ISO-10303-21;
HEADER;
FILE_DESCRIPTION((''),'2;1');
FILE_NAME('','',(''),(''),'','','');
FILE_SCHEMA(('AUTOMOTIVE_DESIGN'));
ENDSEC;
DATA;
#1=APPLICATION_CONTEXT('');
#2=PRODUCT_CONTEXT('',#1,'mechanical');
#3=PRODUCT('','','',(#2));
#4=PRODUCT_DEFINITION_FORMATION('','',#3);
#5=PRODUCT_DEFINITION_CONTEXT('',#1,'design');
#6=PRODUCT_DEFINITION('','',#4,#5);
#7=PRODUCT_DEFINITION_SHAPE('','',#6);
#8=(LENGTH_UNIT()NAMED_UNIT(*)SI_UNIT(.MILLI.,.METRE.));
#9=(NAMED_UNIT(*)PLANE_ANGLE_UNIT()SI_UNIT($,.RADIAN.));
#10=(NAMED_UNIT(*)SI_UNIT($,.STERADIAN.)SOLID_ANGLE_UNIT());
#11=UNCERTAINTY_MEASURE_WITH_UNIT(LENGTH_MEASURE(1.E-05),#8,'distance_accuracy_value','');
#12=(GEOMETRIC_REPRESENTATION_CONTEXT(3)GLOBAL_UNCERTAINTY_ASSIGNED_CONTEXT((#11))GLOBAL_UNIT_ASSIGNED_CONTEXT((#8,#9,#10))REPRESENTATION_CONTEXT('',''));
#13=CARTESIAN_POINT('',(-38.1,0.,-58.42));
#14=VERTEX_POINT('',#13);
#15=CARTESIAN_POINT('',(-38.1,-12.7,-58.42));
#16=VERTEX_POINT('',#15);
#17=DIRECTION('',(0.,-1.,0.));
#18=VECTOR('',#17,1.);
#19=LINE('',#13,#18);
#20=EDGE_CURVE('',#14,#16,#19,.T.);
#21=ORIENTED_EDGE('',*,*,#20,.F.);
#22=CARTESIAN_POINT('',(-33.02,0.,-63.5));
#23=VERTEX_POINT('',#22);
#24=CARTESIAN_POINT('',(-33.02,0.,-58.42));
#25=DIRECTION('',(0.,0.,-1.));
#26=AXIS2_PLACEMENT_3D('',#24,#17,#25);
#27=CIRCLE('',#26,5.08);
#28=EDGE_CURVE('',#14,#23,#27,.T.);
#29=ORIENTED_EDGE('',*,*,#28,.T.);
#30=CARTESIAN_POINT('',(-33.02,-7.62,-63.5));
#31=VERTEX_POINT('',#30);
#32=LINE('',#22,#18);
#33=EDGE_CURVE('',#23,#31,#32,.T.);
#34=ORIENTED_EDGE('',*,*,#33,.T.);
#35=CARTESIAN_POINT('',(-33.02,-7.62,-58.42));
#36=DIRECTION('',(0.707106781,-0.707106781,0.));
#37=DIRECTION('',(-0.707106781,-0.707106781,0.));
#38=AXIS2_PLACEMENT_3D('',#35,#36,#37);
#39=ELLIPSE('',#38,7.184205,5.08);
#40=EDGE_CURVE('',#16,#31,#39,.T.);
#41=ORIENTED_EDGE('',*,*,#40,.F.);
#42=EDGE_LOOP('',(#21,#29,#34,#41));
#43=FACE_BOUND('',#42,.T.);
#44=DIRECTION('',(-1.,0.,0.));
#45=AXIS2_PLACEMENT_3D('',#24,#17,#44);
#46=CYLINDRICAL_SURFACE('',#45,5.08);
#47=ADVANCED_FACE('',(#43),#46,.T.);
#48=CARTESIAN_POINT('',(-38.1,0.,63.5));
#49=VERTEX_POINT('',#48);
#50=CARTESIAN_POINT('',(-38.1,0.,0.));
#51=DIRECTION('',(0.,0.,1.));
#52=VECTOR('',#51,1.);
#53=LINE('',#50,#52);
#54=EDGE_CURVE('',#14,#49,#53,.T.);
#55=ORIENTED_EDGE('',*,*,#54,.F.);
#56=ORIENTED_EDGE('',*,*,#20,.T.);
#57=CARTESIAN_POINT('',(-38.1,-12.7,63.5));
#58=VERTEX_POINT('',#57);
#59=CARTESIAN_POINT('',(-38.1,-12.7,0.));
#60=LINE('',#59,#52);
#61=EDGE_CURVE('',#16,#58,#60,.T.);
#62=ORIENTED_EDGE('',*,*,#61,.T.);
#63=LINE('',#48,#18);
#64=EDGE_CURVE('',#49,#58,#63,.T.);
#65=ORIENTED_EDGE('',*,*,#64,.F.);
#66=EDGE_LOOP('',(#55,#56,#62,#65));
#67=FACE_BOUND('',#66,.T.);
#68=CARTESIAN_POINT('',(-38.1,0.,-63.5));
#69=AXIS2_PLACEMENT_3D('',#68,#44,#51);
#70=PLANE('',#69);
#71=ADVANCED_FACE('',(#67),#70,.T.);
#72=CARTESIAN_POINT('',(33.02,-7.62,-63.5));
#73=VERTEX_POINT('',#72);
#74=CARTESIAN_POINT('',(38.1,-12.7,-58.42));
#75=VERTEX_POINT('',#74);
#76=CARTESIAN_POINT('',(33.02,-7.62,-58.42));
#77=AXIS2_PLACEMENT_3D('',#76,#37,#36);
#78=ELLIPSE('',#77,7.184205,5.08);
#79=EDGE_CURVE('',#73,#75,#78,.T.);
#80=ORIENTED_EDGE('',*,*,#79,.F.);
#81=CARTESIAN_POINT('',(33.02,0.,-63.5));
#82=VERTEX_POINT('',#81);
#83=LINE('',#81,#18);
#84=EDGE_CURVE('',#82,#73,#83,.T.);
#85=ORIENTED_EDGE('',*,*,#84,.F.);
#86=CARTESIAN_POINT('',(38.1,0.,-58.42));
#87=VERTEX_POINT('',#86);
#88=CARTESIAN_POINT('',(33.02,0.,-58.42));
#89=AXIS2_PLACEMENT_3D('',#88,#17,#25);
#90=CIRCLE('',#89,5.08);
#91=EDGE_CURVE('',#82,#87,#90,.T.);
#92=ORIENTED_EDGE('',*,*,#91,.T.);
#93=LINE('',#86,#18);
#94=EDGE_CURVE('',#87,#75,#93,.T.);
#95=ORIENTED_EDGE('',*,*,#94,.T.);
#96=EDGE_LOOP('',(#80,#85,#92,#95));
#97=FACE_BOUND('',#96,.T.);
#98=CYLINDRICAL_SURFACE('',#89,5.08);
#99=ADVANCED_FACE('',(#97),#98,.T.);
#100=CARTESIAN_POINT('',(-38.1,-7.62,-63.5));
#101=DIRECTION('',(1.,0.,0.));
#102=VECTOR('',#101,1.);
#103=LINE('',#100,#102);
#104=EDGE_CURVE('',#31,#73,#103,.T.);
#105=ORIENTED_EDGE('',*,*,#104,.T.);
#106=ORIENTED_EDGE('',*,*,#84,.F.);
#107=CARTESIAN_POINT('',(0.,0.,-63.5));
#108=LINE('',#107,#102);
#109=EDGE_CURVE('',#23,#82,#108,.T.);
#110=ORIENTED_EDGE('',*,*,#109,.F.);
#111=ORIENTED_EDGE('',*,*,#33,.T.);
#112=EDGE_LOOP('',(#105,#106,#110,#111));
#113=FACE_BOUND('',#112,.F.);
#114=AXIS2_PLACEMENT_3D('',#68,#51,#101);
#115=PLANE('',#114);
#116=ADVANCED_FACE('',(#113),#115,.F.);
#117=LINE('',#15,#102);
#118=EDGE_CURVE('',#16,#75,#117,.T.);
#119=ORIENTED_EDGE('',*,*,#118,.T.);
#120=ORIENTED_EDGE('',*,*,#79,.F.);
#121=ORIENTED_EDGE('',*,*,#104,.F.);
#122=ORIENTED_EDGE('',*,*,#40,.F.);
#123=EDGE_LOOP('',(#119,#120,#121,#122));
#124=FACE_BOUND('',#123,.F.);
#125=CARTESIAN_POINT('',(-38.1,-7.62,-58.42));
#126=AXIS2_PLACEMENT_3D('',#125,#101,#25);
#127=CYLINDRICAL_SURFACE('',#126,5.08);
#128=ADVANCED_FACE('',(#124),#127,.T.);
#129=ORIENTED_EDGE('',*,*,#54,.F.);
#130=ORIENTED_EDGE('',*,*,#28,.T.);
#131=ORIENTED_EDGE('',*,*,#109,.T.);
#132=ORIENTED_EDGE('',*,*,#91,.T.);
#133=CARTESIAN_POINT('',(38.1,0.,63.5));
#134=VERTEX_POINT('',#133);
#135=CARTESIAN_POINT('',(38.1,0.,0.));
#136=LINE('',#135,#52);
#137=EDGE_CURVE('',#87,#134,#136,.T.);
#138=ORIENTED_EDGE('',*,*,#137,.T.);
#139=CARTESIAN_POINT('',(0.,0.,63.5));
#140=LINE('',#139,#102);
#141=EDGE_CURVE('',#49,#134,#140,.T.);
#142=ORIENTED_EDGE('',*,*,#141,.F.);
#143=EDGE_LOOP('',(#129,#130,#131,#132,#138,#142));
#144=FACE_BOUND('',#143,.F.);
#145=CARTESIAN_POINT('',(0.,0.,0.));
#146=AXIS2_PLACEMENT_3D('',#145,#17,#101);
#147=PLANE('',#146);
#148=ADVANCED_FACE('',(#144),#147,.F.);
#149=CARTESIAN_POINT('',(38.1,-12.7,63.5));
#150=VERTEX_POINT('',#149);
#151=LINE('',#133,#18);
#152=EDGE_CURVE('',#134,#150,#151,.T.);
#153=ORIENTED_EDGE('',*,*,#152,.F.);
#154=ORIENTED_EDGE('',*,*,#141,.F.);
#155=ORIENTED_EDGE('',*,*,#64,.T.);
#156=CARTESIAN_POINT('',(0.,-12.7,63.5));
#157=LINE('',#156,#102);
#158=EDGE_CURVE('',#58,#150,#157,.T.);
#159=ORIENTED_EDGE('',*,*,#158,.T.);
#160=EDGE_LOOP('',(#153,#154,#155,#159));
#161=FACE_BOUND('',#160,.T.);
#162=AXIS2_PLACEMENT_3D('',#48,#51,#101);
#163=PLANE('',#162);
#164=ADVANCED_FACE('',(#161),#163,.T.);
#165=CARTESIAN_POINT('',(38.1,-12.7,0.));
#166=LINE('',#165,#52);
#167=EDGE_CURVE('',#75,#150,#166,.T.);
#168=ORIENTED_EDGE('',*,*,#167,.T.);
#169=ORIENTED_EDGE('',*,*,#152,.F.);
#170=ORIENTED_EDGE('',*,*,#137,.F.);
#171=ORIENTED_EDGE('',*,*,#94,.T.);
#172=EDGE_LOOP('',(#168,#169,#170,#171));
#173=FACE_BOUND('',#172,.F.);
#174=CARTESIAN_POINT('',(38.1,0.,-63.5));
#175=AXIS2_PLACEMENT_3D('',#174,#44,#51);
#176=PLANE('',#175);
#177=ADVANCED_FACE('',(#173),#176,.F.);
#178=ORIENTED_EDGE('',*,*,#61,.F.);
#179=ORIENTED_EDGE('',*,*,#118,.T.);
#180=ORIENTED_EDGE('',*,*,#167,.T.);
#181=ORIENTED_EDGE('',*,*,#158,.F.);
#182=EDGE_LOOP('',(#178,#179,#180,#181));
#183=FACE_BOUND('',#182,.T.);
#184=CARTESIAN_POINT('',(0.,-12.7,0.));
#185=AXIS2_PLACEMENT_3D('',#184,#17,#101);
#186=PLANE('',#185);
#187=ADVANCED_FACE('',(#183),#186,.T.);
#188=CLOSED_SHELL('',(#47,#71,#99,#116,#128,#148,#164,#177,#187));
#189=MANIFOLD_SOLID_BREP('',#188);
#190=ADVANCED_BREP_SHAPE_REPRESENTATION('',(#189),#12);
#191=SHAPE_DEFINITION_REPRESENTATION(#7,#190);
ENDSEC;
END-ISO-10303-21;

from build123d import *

# Parameters (mm, degrees)
F0_W     = 76.2
F0_H     = 127
F1_DEPTH = 12.7
F2_R     = 5.08


with BuildPart() as f1:
    # F0 (on Front) → F1 (new body)
    with BuildSketch(Plane.XZ):
        Rectangle(F0_W, F0_H)
    extrude(amount=F1_DEPTH)

    # F2
    f2_edges = [f1.edges().sort_by_distance(p)[0] for p in [
        (38.1, -6.35, -63.5),
        (-38.1, -6.35, -63.5),
        (0, -12.7, -63.5),
    ]]
    fillet(f2_edges, radius=F2_R)


solid = f1.part
